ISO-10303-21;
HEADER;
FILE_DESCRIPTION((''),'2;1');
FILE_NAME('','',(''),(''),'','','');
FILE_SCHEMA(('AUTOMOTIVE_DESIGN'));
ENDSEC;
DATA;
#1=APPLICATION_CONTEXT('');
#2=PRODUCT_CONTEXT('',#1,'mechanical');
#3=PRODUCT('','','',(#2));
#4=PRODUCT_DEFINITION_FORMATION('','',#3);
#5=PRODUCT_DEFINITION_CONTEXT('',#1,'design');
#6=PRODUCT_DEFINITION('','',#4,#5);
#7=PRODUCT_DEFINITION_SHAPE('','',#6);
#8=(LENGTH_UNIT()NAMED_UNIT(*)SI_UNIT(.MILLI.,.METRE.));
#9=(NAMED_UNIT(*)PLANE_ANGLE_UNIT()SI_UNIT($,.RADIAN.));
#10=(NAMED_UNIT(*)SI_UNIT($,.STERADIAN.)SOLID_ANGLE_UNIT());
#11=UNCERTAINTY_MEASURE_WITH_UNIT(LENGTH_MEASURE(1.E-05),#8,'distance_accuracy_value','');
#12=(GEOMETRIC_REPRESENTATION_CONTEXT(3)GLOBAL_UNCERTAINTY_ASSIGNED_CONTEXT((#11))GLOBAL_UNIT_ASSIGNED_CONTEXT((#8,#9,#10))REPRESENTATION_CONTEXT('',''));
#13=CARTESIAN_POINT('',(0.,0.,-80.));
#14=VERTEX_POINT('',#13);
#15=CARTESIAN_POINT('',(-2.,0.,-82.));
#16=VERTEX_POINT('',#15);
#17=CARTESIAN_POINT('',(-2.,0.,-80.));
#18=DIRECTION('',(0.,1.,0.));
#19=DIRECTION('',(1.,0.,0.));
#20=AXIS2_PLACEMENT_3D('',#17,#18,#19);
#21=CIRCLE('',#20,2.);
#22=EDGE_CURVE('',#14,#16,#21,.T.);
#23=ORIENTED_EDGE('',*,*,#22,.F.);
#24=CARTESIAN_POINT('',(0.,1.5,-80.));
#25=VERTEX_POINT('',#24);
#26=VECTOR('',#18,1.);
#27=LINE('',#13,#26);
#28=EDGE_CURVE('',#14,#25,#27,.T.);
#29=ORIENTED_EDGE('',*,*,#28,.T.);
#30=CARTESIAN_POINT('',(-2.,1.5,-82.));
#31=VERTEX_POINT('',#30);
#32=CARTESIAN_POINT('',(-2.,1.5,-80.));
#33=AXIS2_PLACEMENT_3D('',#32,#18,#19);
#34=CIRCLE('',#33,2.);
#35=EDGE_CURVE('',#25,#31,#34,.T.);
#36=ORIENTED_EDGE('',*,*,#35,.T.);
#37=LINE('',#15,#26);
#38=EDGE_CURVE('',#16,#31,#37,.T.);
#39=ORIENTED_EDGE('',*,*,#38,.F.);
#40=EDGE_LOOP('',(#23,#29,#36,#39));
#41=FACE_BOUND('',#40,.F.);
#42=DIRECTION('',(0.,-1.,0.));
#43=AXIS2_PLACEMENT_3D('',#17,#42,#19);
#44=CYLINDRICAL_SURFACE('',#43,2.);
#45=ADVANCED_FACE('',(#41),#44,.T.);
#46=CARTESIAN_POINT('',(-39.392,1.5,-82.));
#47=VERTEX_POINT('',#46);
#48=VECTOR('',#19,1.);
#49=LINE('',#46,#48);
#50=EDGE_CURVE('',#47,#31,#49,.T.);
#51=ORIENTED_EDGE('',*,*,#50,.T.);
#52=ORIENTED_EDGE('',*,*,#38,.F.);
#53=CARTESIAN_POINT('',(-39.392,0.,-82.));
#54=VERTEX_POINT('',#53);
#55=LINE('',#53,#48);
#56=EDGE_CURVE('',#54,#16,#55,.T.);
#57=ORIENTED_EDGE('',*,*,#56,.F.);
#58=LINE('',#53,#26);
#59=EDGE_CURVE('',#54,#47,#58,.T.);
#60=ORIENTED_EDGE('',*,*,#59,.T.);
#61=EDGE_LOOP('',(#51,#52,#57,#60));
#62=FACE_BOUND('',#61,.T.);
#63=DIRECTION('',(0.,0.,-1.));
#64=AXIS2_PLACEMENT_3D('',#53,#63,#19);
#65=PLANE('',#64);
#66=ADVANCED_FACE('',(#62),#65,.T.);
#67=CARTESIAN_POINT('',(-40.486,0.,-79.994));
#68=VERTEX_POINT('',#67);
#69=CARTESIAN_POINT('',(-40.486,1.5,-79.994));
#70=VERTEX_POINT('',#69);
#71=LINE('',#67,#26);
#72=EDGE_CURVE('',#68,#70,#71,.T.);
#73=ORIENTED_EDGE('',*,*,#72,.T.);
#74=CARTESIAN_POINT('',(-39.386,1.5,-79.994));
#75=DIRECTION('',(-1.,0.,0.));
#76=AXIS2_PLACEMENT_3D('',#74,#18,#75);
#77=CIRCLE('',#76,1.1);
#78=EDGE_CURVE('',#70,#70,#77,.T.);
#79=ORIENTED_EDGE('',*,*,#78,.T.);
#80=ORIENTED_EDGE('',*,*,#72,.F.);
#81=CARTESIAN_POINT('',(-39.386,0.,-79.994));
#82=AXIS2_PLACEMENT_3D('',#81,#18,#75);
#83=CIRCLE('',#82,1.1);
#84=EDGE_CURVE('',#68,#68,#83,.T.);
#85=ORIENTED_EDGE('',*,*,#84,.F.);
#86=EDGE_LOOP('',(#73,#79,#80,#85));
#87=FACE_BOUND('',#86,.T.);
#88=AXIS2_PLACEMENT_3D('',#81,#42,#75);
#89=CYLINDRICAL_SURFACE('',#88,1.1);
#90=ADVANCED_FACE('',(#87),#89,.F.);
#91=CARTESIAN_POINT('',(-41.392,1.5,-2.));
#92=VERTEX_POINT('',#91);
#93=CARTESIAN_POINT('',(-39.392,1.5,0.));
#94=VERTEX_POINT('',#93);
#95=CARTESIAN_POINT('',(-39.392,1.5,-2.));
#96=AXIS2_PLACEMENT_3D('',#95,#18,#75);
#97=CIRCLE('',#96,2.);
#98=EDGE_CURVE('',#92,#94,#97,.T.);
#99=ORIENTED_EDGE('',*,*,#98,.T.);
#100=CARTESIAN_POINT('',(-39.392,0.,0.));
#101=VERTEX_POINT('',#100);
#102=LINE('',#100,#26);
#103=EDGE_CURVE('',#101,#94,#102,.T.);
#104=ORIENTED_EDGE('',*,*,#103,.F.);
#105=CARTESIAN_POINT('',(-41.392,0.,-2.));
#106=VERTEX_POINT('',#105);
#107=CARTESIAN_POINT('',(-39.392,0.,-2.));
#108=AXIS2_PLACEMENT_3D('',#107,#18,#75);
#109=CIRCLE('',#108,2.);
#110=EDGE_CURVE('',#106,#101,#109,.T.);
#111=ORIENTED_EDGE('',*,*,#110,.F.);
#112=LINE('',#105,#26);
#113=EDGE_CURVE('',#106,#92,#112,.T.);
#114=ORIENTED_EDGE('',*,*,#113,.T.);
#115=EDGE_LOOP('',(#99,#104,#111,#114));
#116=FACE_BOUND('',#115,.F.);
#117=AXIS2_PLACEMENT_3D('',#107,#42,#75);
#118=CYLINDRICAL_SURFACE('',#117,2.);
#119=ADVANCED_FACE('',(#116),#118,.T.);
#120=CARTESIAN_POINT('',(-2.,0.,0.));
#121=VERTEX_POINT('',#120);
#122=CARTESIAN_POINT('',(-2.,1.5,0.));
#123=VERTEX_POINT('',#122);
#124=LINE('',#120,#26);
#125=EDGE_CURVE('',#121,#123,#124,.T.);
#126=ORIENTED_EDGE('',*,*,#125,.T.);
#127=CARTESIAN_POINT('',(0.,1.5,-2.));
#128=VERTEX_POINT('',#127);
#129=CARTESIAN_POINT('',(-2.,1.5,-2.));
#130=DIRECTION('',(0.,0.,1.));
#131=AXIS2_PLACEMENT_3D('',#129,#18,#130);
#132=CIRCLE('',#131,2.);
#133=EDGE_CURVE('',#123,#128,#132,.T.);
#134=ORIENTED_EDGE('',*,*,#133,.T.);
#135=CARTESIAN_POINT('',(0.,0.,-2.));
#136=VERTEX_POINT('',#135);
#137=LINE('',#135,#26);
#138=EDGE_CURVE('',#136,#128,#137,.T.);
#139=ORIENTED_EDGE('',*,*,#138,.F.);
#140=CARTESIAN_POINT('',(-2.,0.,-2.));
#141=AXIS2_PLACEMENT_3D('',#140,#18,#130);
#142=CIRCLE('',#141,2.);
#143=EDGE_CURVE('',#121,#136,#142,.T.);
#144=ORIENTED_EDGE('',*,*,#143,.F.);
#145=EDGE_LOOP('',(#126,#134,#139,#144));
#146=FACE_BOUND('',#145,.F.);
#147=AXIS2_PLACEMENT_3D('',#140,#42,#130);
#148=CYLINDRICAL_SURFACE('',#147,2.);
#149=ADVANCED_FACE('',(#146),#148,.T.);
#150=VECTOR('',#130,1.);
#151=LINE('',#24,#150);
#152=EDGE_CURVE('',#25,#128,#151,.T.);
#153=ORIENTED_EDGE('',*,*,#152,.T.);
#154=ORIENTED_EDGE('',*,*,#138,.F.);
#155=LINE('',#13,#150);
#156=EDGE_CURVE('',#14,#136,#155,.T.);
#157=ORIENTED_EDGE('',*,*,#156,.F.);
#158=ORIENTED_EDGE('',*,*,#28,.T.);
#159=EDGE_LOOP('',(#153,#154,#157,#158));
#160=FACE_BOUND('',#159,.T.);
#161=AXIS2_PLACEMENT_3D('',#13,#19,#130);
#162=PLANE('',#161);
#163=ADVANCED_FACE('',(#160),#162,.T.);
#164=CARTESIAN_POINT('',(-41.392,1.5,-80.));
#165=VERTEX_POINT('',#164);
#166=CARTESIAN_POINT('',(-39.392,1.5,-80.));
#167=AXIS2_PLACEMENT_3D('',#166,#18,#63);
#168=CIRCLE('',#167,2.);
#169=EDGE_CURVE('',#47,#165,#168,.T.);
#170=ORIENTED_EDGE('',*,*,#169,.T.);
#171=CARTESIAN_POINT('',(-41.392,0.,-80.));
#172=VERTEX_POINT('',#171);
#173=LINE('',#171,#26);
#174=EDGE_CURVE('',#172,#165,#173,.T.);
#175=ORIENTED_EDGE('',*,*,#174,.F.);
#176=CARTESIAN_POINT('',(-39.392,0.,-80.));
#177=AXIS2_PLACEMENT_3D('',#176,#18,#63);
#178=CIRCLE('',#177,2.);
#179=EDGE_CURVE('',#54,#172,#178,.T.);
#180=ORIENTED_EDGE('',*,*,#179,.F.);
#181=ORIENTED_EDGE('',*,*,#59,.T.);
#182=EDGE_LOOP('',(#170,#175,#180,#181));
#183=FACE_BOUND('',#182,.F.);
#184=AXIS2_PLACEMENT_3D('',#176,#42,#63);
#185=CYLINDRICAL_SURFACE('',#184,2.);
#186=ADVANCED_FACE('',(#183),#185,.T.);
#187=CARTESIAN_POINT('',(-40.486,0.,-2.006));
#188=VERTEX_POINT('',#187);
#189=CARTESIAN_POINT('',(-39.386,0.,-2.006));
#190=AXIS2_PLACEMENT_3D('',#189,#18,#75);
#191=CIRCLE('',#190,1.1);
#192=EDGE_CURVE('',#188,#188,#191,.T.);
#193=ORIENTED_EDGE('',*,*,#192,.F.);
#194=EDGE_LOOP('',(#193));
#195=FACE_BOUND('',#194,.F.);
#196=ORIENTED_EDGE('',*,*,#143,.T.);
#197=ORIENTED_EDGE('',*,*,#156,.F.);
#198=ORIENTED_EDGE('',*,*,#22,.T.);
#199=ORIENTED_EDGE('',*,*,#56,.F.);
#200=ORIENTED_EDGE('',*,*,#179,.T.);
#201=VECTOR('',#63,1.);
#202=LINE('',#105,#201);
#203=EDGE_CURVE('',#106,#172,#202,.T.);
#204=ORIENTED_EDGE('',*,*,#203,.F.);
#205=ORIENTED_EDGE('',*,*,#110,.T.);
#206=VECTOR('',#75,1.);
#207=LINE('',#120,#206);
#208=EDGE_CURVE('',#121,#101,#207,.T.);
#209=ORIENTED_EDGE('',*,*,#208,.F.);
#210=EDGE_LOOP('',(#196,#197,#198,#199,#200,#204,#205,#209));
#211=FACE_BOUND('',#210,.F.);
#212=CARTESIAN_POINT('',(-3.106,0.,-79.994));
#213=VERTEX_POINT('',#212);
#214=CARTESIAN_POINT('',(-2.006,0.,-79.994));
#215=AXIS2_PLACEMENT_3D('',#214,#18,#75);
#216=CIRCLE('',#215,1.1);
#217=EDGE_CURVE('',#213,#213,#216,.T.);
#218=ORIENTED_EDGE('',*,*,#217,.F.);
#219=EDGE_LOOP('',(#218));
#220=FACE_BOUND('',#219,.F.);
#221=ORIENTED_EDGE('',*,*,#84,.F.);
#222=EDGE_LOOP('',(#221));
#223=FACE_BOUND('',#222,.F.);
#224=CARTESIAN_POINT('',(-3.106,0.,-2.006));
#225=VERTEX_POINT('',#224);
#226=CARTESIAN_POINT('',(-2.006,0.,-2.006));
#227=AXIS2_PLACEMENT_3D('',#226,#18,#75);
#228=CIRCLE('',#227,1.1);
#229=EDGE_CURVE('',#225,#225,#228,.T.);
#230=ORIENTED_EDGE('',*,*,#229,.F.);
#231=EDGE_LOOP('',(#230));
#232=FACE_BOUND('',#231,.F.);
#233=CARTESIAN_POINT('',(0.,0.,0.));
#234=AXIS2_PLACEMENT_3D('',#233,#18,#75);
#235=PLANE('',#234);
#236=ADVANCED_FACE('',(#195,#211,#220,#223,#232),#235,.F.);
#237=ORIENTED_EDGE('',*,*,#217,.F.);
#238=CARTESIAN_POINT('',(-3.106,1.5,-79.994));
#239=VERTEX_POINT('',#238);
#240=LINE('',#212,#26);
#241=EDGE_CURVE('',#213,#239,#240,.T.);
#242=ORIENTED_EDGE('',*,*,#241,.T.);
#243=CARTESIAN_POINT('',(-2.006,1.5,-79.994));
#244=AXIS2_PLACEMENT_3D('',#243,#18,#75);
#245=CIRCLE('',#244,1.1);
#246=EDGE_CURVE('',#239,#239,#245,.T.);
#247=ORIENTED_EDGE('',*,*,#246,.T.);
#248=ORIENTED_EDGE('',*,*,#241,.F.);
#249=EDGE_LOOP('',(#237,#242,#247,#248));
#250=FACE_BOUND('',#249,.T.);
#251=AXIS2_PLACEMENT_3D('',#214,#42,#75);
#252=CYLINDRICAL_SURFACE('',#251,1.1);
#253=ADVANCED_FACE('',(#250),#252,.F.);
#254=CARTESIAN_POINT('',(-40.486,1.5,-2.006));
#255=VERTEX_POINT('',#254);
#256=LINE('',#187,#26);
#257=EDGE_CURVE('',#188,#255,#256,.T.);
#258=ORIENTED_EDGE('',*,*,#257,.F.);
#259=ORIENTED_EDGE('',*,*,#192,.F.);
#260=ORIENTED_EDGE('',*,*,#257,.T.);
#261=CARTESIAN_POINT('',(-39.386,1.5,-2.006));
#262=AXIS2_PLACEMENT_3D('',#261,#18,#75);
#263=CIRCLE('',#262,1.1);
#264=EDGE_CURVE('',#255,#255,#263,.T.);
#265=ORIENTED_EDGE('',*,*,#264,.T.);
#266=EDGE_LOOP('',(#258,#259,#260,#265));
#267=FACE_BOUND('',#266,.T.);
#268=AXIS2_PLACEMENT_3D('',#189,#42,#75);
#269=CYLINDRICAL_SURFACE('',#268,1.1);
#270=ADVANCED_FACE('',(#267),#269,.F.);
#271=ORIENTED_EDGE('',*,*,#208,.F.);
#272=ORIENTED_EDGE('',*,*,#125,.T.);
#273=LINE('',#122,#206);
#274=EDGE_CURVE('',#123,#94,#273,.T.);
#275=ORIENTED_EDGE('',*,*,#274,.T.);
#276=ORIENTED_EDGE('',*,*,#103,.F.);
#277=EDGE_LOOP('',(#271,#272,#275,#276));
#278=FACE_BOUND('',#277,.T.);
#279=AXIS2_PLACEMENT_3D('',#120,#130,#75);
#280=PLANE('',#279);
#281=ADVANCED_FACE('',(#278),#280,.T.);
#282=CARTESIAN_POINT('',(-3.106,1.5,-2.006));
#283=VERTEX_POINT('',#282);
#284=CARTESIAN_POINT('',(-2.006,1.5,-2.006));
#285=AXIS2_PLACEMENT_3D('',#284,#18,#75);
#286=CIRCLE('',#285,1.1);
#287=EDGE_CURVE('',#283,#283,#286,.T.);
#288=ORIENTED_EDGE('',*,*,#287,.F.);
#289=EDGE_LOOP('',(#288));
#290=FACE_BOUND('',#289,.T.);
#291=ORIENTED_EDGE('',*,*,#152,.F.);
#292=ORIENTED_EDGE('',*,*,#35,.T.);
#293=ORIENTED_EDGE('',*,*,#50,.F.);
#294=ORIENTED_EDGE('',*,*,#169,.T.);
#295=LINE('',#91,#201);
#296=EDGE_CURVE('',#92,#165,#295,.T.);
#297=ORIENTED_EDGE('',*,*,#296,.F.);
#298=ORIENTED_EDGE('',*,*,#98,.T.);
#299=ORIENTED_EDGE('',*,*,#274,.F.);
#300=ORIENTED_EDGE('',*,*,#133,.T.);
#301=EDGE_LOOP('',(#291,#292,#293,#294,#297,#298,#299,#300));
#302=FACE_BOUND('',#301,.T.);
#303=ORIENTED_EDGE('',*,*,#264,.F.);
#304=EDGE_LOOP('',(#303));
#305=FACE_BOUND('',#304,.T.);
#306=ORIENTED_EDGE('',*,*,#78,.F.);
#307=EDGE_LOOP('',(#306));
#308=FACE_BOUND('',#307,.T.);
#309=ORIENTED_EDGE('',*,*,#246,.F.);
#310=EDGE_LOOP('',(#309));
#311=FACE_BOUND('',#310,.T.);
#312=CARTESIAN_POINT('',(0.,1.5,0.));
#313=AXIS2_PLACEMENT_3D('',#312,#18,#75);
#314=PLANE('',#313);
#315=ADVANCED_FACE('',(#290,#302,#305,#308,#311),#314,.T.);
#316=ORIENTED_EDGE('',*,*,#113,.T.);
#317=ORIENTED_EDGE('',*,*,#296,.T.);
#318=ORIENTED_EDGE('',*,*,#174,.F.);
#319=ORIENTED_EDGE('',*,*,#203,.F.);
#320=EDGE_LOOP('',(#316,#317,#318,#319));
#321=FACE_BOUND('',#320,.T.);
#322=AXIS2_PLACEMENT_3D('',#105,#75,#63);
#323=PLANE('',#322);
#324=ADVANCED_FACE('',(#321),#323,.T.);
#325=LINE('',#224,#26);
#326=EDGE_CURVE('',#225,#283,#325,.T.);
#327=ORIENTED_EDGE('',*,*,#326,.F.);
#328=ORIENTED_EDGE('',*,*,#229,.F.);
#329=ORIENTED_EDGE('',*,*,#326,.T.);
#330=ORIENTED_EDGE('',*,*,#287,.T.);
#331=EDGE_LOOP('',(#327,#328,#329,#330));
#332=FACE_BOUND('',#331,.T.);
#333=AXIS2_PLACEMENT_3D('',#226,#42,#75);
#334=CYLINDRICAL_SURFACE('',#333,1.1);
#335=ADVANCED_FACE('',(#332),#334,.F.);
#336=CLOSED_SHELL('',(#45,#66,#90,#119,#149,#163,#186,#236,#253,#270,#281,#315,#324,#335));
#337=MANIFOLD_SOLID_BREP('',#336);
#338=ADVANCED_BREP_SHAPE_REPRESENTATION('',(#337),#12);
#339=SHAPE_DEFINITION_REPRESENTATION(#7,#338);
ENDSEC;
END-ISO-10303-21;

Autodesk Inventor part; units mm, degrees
ref_plane "YZ Plane" through (0, 0, 0) normal (1, 0, 0) x (0, 1, 0)
ref_plane "XZ Plane" through (0, 0, 0) normal (0, 1, 0) x (-1, 0, 0)
ref_plane "XY Plane" through (0, 0, 0) normal (0, 0, 1) x (1, 0, 0)
sketch "Sketch1" plane through (0, 0, 0) normal (0, 1, 0) x (-1, 0, 0)
  line L0 (2, 0) -> (39.392, 0)
  line L1 (41.392, -2) -> (41.392, -80)
  line L2 (39.392, -82) -> (2, -82)
  line L3 (0, -80) -> (0, -2)
  arc A0 (41.392, -2) -> (39.392, 0) centre (39.392, -2) ccw
  arc A1 (39.392, -82) -> (41.392, -80) centre (39.392, -80) ccw
  arc A2 (0, -80) -> (2, -82) centre (2, -80) ccw
  arc A3 (2, 0) -> (0, -2) centre (2, -2) ccw
  circle A4 centre (39.386, -2.006) radius 1.1
  circle A5 centre (39.386, -79.994) radius 1.1
  circle A6 centre (2.006, -2.006) radius 1.1
  circle A7 centre (2.006, -79.994) radius 1.1
  point P0 (0, 0)
  point P1 (41.392, -82)
  point P2 (41.392, 0)
  point P3 (0, -82)
  dimension "d0" = 41.392
  dimension "d1" = 82
  dimension "d2" = 2
  dimension "d3" = 2.2
  dimension "d5" = 2.006
  dimension "d6" = 2.006
  dimension "d7" = 2.2
  dimension "d8" = 2.006
  dimension "d9" = 2.006
  dimension "d10" = 2.2
  dimension "d11" = 2.006
  dimension "d12" = 2.006
  dimension "d13" = 2.2
  dimension "d14" = 2.006
  dimension "d15" = 2.006
  dimension "d16" = 37.386
extrude "Extrusion1" add sketch "Sketch1" along normal blind 1.5
properties part number "battery_cover"
